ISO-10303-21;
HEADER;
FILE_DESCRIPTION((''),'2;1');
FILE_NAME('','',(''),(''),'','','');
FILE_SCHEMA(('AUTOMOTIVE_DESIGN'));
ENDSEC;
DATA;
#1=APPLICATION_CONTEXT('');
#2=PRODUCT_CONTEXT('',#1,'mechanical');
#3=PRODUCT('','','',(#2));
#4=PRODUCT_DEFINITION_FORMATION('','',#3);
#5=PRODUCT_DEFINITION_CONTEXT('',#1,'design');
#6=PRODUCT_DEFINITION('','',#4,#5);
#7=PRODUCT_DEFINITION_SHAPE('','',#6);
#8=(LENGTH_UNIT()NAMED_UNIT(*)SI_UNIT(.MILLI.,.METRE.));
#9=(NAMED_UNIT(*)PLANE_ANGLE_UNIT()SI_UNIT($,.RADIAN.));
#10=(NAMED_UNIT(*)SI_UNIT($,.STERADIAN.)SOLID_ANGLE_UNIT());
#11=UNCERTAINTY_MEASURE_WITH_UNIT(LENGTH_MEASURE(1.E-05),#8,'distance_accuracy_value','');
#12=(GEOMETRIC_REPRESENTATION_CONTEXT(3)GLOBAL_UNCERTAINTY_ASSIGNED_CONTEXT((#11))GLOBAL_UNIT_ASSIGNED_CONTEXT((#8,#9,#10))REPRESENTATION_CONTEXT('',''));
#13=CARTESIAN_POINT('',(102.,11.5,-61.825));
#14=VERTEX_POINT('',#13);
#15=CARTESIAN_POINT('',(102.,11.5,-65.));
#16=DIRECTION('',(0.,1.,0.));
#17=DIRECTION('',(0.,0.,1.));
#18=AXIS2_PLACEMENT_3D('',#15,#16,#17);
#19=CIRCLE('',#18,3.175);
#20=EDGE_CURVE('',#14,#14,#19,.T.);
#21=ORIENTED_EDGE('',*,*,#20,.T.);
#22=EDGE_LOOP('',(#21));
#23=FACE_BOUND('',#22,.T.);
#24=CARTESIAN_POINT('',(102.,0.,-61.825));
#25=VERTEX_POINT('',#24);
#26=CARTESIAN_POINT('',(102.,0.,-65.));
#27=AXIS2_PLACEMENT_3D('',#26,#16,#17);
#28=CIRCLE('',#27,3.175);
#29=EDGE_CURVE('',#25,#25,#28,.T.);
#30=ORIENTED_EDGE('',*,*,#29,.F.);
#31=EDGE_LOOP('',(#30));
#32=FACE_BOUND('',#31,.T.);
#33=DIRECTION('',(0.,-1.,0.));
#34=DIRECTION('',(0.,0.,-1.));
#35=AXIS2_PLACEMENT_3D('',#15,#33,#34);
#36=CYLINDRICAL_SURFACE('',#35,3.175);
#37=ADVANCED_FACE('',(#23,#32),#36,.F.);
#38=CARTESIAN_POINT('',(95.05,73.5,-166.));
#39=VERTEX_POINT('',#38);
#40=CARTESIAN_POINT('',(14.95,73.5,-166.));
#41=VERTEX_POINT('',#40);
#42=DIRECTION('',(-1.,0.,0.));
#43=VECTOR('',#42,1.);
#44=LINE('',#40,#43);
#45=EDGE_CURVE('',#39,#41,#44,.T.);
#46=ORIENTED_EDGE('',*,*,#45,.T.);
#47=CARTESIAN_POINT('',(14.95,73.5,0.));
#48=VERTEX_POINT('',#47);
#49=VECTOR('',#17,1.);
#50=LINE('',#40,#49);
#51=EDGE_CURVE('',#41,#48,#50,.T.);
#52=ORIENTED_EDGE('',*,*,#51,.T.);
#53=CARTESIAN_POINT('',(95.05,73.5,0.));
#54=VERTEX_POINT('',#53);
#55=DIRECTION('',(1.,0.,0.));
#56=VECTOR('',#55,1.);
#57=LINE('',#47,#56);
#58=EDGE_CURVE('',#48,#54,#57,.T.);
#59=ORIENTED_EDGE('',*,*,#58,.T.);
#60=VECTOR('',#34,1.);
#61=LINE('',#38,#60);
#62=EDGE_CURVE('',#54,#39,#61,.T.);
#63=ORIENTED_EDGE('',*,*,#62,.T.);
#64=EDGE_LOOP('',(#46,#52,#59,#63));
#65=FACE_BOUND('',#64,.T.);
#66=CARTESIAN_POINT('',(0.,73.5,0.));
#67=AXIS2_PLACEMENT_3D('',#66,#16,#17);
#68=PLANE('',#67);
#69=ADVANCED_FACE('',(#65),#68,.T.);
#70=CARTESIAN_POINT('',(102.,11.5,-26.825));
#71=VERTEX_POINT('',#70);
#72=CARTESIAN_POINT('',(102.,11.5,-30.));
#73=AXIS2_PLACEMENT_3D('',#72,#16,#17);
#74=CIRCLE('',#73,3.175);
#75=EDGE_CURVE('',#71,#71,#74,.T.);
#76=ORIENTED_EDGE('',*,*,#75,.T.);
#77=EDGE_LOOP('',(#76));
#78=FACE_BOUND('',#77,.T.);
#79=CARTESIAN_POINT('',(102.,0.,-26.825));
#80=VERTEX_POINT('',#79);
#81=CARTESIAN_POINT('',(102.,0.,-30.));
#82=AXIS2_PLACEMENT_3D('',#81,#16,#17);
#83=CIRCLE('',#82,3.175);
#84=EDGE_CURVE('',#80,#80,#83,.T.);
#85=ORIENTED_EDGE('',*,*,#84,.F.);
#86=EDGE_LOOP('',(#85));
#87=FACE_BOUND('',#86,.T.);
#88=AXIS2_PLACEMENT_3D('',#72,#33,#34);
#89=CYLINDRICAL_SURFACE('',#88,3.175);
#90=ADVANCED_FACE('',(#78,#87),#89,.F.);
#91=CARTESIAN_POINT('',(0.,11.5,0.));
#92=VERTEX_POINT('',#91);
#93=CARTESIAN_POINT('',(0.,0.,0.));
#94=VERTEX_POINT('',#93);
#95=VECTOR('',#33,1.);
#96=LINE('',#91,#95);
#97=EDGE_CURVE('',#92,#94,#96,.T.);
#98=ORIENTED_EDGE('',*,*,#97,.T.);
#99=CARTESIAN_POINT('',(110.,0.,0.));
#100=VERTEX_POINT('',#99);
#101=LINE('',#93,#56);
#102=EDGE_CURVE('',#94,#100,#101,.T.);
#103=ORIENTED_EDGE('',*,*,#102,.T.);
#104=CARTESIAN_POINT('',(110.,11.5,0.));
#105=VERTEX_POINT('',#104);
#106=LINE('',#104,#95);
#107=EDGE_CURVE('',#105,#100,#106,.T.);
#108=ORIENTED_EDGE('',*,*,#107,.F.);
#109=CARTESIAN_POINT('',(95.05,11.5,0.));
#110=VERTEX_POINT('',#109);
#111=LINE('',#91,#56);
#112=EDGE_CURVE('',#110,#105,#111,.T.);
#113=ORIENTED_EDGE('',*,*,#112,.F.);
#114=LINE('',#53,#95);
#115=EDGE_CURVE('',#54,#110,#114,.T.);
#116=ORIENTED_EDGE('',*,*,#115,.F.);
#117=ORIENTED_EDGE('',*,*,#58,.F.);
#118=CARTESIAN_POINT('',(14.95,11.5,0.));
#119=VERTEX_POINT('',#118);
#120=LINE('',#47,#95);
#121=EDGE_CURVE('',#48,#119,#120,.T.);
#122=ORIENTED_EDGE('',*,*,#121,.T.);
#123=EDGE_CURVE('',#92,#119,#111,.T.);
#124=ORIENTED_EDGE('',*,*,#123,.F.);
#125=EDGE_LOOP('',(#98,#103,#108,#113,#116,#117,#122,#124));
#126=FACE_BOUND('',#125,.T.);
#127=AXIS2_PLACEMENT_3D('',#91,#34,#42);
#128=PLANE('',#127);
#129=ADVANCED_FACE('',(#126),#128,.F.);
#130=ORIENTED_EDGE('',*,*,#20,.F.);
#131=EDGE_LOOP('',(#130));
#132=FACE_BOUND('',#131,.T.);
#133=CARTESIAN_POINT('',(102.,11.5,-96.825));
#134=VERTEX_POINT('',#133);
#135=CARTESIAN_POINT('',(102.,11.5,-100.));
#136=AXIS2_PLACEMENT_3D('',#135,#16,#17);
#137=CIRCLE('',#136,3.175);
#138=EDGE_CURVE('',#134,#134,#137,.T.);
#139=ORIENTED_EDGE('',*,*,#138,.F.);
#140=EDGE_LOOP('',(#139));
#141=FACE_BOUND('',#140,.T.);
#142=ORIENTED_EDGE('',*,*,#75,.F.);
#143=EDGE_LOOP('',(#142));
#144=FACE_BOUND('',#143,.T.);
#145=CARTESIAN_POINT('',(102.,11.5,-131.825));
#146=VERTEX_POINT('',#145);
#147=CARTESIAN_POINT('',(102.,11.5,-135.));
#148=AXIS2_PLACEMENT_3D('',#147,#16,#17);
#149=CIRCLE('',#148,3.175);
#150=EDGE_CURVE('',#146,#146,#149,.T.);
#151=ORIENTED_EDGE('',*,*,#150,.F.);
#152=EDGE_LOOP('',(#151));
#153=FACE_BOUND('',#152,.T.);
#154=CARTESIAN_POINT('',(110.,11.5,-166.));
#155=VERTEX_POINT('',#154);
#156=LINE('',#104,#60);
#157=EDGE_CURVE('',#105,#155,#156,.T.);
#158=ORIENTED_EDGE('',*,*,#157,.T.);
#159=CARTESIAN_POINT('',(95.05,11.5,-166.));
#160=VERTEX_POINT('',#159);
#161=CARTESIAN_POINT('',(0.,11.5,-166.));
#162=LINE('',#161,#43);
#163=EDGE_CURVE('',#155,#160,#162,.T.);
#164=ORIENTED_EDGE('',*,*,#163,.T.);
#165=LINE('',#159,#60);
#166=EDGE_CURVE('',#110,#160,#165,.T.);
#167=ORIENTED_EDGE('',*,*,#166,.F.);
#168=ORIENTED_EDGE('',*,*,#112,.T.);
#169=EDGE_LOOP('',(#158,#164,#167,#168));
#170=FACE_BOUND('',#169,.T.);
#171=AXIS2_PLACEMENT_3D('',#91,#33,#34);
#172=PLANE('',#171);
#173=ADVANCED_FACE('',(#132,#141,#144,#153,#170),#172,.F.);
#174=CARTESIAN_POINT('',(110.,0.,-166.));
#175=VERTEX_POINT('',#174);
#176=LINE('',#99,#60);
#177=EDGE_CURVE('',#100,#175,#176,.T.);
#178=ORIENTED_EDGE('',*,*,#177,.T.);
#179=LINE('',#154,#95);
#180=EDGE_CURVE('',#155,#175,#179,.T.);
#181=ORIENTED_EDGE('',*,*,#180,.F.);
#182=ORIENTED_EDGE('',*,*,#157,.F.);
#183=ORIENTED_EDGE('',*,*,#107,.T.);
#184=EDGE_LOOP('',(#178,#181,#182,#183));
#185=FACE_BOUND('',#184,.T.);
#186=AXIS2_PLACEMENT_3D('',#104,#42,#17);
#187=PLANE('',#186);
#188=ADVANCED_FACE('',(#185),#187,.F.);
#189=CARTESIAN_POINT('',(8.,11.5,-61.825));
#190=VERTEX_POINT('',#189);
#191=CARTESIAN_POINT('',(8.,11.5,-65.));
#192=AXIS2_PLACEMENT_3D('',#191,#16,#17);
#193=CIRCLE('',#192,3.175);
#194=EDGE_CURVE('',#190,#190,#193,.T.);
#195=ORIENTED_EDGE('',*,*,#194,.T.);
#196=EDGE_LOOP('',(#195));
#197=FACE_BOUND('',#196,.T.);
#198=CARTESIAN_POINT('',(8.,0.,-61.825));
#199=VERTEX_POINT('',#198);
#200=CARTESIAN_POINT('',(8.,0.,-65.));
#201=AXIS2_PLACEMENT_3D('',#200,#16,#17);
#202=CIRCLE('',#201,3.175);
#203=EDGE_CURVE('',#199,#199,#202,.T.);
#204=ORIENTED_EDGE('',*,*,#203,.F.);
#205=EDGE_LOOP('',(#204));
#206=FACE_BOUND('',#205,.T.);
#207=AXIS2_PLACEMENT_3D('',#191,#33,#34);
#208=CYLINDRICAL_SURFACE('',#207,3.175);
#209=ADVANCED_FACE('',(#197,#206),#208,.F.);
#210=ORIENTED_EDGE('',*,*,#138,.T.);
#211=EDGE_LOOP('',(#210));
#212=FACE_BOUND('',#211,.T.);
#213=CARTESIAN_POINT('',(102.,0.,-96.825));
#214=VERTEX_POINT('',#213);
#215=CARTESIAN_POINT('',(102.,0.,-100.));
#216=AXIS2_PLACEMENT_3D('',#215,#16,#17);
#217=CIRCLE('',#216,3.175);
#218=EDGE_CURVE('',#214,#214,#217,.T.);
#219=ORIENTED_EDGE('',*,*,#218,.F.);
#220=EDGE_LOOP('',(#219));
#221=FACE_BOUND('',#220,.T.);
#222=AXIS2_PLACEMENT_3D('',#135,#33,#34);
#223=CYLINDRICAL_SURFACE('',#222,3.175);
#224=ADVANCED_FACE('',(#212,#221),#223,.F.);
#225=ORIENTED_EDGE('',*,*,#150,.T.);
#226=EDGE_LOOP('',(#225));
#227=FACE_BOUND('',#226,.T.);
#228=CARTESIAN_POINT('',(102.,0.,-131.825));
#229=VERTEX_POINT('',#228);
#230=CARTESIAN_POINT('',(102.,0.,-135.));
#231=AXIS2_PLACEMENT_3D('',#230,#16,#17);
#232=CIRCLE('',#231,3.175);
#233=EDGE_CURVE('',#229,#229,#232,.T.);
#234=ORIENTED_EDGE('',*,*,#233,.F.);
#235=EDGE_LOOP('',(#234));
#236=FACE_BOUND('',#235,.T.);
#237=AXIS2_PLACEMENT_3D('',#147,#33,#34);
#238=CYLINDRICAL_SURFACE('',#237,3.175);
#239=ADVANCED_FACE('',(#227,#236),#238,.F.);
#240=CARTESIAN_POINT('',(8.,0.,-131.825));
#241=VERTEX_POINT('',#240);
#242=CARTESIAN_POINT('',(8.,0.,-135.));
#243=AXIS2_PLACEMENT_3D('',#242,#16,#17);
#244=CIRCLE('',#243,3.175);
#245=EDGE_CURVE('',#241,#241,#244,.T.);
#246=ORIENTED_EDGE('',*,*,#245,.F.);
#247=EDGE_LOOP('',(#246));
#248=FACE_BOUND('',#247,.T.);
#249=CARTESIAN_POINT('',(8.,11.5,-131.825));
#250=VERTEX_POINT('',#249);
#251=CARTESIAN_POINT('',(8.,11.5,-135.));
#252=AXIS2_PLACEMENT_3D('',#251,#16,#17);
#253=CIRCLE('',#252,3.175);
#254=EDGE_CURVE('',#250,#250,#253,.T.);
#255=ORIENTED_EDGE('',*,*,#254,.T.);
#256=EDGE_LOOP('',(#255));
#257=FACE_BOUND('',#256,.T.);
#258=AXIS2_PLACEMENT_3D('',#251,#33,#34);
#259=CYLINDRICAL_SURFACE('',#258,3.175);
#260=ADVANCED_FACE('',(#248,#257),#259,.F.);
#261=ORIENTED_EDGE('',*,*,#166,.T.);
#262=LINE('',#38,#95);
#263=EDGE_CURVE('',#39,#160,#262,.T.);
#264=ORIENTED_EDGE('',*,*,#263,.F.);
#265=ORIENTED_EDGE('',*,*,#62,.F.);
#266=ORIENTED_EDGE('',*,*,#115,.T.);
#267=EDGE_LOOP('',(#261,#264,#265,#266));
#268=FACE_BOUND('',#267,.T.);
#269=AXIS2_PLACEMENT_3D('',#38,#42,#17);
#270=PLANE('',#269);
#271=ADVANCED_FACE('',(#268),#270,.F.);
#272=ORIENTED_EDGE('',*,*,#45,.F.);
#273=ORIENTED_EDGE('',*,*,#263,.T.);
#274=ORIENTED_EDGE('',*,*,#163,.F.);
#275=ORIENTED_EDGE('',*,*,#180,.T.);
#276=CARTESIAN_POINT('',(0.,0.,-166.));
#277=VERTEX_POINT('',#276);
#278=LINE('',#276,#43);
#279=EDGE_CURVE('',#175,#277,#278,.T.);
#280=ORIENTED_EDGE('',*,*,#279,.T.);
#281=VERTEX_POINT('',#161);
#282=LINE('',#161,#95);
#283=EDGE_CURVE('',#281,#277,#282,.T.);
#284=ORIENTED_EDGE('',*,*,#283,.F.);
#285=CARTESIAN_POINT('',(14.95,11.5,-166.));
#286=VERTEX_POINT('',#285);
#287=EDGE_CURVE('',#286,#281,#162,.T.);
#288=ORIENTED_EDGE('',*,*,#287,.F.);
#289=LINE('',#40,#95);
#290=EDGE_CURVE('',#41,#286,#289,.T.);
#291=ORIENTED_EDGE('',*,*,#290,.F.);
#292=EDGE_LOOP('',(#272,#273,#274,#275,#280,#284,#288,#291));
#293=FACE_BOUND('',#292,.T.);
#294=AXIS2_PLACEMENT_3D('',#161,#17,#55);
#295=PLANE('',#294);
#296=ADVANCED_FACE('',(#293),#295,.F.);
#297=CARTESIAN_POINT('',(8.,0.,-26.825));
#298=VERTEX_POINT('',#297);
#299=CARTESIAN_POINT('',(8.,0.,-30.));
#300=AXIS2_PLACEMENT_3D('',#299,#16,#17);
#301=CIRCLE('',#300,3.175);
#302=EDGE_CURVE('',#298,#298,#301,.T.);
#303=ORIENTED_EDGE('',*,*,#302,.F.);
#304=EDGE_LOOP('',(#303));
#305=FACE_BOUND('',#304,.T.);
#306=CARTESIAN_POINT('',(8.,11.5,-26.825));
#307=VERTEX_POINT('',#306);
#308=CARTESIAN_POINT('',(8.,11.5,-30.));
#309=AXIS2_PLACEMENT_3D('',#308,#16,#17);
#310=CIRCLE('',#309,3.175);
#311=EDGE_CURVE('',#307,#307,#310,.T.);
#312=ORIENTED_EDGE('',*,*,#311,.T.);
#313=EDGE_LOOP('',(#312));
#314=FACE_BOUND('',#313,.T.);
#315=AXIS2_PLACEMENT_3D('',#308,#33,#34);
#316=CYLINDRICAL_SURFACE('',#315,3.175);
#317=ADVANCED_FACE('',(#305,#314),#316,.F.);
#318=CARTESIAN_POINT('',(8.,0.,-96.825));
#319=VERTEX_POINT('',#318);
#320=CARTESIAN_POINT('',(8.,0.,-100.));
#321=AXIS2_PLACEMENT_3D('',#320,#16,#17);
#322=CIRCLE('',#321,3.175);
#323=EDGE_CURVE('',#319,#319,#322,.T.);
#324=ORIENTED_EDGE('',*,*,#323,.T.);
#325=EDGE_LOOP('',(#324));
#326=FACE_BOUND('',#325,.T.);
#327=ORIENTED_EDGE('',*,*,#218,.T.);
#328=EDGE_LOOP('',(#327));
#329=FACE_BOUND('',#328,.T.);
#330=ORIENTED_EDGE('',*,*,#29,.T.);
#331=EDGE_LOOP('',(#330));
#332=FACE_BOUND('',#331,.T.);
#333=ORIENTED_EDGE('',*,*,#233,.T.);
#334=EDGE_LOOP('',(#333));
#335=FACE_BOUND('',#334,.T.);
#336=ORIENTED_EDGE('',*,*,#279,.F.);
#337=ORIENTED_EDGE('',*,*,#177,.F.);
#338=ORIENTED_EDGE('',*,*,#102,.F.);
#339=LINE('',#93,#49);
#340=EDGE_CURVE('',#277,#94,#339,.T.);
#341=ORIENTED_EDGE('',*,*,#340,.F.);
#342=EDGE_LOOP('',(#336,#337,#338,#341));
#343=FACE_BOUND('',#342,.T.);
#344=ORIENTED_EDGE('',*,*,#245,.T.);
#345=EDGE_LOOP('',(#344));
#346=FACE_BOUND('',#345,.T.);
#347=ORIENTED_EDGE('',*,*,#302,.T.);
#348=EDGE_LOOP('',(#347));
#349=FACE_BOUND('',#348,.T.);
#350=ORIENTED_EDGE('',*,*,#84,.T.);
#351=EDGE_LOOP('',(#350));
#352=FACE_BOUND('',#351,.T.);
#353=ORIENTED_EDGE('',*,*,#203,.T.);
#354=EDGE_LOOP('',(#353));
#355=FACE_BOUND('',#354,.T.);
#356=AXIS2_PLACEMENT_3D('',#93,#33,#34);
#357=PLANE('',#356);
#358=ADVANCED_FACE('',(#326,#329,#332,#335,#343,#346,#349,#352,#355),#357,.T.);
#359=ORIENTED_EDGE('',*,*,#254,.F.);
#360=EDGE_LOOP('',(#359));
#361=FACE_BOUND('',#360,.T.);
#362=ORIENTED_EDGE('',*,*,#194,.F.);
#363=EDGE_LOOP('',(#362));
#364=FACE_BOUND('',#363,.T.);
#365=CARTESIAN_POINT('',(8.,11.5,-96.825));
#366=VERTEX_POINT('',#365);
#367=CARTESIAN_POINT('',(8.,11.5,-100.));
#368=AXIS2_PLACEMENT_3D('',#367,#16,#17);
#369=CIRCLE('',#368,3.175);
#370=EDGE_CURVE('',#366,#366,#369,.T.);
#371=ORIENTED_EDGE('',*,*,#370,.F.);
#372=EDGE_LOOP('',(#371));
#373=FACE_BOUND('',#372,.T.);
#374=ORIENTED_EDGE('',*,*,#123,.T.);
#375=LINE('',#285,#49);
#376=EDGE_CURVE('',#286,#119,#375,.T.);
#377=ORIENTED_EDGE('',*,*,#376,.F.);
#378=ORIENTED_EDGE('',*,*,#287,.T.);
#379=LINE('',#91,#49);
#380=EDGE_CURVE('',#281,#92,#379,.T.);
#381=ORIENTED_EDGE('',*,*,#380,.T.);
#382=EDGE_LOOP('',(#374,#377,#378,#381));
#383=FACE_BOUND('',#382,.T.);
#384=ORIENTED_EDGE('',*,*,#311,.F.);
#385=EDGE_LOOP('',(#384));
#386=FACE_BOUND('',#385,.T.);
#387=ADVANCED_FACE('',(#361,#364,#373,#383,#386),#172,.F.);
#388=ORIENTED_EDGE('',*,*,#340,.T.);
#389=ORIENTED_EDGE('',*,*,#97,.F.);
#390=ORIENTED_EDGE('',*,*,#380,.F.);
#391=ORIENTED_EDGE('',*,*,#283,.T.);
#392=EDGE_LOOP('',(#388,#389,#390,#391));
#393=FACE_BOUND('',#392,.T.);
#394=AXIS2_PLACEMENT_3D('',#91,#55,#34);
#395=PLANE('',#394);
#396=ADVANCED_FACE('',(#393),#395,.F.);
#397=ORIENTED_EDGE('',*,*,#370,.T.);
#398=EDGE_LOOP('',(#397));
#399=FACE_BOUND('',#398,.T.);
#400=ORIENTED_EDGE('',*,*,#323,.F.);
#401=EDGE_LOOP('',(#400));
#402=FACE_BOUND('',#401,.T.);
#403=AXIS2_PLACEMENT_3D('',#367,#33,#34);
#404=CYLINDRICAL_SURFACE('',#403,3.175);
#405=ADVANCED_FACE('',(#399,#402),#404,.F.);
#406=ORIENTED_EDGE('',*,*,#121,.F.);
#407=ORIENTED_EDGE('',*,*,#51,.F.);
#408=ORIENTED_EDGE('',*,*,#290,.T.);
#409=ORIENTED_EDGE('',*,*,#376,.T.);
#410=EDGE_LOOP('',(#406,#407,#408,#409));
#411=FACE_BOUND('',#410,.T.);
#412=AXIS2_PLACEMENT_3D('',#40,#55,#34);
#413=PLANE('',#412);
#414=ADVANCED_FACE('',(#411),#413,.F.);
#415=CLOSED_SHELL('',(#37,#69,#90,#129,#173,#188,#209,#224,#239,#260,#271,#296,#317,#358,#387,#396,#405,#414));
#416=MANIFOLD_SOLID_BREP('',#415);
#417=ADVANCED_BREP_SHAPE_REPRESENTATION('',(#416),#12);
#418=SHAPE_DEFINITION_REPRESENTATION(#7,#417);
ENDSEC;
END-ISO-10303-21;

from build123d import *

# Parameters (mm, degrees)
SKETCH1_W           = 110
SKETCH1_H           = 166
SKETCH1_R           = 3.175
BOSS_EXTRUDE1_DEPTH = 11.5
SKETCH2_W           = 80.1
SKETCH2_H           = 166
BOSS_EXTRUDE2_DEPTH = 62


with BuildPart() as part:
    # Sketch1 → Boss-Extrude1 (new body)
    with BuildSketch(Plane(origin=(0, 0, 0), x_dir=(1, 0, 0), z_dir=(0, 1, 0))):
        with Locations((55, 83)):
            Rectangle(SKETCH1_W, SKETCH1_H)
        with Locations((8, 135)):
            Circle(SKETCH1_R, mode=Mode.SUBTRACT)
        with Locations((102, 135)):
            Circle(SKETCH1_R, mode=Mode.SUBTRACT)
        with Locations((102, 100)):
            Circle(SKETCH1_R, mode=Mode.SUBTRACT)
        with Locations((102, 65)):
            Circle(SKETCH1_R, mode=Mode.SUBTRACT)
        with Locations((102, 30)):
            Circle(SKETCH1_R, mode=Mode.SUBTRACT)
        with Locations((8, 100)):
            Circle(SKETCH1_R, mode=Mode.SUBTRACT)
        with Locations((8, 65)):
            Circle(SKETCH1_R, mode=Mode.SUBTRACT)
        with Locations((8, 30)):
            Circle(SKETCH1_R, mode=Mode.SUBTRACT)
    extrude(amount=BOSS_EXTRUDE1_DEPTH)

    # Sketch2 → Boss-Extrude2 (add)
    with BuildSketch(Plane(origin=(0, 11.5, 0), x_dir=(1, 0, 0), z_dir=(0, 1, 0))):
        with Locations((55, 83)):
            Rectangle(SKETCH2_W, SKETCH2_H)
    extrude(amount=BOSS_EXTRUDE2_DEPTH)


solid = part.part
